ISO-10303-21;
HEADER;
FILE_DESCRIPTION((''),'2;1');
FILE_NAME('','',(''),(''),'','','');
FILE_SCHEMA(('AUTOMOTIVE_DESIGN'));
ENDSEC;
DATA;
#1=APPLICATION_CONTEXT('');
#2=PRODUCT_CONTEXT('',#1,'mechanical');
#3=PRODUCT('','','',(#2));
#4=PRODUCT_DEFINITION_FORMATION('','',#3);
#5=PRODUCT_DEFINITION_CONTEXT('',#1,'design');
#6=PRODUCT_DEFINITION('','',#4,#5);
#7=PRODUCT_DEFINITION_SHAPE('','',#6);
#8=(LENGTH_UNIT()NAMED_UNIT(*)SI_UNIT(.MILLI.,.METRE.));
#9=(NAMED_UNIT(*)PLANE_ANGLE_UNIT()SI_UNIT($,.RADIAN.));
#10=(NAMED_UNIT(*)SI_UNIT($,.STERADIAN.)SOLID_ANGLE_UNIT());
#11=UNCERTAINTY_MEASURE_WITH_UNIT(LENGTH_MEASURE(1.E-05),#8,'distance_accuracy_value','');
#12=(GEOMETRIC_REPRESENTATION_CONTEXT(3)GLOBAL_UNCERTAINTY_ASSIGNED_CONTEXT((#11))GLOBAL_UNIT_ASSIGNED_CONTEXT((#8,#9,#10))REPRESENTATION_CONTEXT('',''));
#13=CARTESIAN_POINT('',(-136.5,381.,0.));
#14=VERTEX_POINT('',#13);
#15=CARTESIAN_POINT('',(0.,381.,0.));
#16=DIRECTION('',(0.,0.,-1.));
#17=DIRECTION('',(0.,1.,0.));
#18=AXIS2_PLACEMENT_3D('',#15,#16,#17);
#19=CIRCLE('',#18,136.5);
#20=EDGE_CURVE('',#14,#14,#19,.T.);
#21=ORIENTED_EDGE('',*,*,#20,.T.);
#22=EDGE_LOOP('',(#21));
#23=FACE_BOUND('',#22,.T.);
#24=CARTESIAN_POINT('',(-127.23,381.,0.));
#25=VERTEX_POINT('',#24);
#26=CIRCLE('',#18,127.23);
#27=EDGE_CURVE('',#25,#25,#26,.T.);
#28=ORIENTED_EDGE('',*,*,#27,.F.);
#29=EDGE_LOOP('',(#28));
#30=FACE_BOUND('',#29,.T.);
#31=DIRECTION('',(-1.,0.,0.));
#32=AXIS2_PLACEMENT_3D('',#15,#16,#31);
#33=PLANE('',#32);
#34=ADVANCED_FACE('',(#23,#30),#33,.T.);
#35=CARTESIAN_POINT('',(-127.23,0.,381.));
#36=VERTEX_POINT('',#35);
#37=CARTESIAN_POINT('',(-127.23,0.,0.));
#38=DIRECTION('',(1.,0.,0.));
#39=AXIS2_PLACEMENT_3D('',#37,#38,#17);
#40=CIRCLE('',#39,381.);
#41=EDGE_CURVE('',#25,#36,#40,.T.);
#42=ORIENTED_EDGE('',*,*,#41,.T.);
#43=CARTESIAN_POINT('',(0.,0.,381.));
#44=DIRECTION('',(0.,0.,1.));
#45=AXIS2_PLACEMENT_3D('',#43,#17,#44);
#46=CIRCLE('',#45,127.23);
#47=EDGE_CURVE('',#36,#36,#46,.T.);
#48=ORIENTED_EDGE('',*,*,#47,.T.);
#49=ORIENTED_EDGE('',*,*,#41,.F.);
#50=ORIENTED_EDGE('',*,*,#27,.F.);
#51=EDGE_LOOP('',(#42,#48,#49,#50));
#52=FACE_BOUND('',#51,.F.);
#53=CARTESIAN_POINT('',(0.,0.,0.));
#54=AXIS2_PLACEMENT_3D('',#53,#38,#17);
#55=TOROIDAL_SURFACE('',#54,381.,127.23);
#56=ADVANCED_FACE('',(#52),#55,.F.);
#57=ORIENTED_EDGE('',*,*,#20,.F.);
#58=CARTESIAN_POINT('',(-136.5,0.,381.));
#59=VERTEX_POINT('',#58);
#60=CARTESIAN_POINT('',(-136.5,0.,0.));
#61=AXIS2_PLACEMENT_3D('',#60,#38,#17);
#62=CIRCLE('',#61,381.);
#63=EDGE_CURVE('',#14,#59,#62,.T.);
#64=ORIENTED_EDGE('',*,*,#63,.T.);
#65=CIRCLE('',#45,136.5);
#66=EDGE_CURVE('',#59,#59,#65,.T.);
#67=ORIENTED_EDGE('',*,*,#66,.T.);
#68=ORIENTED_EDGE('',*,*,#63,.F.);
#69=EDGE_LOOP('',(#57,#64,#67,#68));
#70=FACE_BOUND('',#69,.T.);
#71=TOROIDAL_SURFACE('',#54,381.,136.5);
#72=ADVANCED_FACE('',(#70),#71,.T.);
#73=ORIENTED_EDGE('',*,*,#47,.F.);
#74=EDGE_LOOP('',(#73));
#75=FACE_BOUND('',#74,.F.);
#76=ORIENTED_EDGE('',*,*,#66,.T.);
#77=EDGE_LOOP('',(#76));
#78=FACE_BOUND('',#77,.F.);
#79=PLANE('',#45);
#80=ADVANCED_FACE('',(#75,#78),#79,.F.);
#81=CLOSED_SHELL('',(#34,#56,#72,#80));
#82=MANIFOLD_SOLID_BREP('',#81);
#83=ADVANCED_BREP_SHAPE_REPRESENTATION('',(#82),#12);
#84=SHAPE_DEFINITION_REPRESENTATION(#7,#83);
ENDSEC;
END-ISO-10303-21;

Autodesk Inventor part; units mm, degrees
ref_plane "YZ Plane" through (0, 0, 0) normal (1, 0, 0) x (0, 1, 0)
ref_plane "XZ Plane" through (0, 0, 0) normal (0, 1, 0) x (-1, 0, 0)
ref_plane "XY Plane" through (0, 0, 0) normal (0, 0, 1) x (1, 0, 0)
sketch "Sketch3" plane through (0, 0, 0) normal (0, 1, 0) x (-1, 0, 0)
  circle A0 centre (0, 381) radius 136.5
  circle A1 centre (0, 381) radius 127.23
  point P0 (0, 228.5)
  point P1 (0, 0)
  dimension "d14" = 273
  dimension "d15" = 9.27
sketch "Sketch2" plane through (0, 0, 0) normal (1, 0, 0) x (0, 1, 0)
  arc A0 (381, 0) -> (0, 381) centre (0, 0) ccw
sweep "Sweep2" add profiles "Sketch3" path "Sketch2"
properties part number "joelho 90 10 inch ANSI B16.9"
